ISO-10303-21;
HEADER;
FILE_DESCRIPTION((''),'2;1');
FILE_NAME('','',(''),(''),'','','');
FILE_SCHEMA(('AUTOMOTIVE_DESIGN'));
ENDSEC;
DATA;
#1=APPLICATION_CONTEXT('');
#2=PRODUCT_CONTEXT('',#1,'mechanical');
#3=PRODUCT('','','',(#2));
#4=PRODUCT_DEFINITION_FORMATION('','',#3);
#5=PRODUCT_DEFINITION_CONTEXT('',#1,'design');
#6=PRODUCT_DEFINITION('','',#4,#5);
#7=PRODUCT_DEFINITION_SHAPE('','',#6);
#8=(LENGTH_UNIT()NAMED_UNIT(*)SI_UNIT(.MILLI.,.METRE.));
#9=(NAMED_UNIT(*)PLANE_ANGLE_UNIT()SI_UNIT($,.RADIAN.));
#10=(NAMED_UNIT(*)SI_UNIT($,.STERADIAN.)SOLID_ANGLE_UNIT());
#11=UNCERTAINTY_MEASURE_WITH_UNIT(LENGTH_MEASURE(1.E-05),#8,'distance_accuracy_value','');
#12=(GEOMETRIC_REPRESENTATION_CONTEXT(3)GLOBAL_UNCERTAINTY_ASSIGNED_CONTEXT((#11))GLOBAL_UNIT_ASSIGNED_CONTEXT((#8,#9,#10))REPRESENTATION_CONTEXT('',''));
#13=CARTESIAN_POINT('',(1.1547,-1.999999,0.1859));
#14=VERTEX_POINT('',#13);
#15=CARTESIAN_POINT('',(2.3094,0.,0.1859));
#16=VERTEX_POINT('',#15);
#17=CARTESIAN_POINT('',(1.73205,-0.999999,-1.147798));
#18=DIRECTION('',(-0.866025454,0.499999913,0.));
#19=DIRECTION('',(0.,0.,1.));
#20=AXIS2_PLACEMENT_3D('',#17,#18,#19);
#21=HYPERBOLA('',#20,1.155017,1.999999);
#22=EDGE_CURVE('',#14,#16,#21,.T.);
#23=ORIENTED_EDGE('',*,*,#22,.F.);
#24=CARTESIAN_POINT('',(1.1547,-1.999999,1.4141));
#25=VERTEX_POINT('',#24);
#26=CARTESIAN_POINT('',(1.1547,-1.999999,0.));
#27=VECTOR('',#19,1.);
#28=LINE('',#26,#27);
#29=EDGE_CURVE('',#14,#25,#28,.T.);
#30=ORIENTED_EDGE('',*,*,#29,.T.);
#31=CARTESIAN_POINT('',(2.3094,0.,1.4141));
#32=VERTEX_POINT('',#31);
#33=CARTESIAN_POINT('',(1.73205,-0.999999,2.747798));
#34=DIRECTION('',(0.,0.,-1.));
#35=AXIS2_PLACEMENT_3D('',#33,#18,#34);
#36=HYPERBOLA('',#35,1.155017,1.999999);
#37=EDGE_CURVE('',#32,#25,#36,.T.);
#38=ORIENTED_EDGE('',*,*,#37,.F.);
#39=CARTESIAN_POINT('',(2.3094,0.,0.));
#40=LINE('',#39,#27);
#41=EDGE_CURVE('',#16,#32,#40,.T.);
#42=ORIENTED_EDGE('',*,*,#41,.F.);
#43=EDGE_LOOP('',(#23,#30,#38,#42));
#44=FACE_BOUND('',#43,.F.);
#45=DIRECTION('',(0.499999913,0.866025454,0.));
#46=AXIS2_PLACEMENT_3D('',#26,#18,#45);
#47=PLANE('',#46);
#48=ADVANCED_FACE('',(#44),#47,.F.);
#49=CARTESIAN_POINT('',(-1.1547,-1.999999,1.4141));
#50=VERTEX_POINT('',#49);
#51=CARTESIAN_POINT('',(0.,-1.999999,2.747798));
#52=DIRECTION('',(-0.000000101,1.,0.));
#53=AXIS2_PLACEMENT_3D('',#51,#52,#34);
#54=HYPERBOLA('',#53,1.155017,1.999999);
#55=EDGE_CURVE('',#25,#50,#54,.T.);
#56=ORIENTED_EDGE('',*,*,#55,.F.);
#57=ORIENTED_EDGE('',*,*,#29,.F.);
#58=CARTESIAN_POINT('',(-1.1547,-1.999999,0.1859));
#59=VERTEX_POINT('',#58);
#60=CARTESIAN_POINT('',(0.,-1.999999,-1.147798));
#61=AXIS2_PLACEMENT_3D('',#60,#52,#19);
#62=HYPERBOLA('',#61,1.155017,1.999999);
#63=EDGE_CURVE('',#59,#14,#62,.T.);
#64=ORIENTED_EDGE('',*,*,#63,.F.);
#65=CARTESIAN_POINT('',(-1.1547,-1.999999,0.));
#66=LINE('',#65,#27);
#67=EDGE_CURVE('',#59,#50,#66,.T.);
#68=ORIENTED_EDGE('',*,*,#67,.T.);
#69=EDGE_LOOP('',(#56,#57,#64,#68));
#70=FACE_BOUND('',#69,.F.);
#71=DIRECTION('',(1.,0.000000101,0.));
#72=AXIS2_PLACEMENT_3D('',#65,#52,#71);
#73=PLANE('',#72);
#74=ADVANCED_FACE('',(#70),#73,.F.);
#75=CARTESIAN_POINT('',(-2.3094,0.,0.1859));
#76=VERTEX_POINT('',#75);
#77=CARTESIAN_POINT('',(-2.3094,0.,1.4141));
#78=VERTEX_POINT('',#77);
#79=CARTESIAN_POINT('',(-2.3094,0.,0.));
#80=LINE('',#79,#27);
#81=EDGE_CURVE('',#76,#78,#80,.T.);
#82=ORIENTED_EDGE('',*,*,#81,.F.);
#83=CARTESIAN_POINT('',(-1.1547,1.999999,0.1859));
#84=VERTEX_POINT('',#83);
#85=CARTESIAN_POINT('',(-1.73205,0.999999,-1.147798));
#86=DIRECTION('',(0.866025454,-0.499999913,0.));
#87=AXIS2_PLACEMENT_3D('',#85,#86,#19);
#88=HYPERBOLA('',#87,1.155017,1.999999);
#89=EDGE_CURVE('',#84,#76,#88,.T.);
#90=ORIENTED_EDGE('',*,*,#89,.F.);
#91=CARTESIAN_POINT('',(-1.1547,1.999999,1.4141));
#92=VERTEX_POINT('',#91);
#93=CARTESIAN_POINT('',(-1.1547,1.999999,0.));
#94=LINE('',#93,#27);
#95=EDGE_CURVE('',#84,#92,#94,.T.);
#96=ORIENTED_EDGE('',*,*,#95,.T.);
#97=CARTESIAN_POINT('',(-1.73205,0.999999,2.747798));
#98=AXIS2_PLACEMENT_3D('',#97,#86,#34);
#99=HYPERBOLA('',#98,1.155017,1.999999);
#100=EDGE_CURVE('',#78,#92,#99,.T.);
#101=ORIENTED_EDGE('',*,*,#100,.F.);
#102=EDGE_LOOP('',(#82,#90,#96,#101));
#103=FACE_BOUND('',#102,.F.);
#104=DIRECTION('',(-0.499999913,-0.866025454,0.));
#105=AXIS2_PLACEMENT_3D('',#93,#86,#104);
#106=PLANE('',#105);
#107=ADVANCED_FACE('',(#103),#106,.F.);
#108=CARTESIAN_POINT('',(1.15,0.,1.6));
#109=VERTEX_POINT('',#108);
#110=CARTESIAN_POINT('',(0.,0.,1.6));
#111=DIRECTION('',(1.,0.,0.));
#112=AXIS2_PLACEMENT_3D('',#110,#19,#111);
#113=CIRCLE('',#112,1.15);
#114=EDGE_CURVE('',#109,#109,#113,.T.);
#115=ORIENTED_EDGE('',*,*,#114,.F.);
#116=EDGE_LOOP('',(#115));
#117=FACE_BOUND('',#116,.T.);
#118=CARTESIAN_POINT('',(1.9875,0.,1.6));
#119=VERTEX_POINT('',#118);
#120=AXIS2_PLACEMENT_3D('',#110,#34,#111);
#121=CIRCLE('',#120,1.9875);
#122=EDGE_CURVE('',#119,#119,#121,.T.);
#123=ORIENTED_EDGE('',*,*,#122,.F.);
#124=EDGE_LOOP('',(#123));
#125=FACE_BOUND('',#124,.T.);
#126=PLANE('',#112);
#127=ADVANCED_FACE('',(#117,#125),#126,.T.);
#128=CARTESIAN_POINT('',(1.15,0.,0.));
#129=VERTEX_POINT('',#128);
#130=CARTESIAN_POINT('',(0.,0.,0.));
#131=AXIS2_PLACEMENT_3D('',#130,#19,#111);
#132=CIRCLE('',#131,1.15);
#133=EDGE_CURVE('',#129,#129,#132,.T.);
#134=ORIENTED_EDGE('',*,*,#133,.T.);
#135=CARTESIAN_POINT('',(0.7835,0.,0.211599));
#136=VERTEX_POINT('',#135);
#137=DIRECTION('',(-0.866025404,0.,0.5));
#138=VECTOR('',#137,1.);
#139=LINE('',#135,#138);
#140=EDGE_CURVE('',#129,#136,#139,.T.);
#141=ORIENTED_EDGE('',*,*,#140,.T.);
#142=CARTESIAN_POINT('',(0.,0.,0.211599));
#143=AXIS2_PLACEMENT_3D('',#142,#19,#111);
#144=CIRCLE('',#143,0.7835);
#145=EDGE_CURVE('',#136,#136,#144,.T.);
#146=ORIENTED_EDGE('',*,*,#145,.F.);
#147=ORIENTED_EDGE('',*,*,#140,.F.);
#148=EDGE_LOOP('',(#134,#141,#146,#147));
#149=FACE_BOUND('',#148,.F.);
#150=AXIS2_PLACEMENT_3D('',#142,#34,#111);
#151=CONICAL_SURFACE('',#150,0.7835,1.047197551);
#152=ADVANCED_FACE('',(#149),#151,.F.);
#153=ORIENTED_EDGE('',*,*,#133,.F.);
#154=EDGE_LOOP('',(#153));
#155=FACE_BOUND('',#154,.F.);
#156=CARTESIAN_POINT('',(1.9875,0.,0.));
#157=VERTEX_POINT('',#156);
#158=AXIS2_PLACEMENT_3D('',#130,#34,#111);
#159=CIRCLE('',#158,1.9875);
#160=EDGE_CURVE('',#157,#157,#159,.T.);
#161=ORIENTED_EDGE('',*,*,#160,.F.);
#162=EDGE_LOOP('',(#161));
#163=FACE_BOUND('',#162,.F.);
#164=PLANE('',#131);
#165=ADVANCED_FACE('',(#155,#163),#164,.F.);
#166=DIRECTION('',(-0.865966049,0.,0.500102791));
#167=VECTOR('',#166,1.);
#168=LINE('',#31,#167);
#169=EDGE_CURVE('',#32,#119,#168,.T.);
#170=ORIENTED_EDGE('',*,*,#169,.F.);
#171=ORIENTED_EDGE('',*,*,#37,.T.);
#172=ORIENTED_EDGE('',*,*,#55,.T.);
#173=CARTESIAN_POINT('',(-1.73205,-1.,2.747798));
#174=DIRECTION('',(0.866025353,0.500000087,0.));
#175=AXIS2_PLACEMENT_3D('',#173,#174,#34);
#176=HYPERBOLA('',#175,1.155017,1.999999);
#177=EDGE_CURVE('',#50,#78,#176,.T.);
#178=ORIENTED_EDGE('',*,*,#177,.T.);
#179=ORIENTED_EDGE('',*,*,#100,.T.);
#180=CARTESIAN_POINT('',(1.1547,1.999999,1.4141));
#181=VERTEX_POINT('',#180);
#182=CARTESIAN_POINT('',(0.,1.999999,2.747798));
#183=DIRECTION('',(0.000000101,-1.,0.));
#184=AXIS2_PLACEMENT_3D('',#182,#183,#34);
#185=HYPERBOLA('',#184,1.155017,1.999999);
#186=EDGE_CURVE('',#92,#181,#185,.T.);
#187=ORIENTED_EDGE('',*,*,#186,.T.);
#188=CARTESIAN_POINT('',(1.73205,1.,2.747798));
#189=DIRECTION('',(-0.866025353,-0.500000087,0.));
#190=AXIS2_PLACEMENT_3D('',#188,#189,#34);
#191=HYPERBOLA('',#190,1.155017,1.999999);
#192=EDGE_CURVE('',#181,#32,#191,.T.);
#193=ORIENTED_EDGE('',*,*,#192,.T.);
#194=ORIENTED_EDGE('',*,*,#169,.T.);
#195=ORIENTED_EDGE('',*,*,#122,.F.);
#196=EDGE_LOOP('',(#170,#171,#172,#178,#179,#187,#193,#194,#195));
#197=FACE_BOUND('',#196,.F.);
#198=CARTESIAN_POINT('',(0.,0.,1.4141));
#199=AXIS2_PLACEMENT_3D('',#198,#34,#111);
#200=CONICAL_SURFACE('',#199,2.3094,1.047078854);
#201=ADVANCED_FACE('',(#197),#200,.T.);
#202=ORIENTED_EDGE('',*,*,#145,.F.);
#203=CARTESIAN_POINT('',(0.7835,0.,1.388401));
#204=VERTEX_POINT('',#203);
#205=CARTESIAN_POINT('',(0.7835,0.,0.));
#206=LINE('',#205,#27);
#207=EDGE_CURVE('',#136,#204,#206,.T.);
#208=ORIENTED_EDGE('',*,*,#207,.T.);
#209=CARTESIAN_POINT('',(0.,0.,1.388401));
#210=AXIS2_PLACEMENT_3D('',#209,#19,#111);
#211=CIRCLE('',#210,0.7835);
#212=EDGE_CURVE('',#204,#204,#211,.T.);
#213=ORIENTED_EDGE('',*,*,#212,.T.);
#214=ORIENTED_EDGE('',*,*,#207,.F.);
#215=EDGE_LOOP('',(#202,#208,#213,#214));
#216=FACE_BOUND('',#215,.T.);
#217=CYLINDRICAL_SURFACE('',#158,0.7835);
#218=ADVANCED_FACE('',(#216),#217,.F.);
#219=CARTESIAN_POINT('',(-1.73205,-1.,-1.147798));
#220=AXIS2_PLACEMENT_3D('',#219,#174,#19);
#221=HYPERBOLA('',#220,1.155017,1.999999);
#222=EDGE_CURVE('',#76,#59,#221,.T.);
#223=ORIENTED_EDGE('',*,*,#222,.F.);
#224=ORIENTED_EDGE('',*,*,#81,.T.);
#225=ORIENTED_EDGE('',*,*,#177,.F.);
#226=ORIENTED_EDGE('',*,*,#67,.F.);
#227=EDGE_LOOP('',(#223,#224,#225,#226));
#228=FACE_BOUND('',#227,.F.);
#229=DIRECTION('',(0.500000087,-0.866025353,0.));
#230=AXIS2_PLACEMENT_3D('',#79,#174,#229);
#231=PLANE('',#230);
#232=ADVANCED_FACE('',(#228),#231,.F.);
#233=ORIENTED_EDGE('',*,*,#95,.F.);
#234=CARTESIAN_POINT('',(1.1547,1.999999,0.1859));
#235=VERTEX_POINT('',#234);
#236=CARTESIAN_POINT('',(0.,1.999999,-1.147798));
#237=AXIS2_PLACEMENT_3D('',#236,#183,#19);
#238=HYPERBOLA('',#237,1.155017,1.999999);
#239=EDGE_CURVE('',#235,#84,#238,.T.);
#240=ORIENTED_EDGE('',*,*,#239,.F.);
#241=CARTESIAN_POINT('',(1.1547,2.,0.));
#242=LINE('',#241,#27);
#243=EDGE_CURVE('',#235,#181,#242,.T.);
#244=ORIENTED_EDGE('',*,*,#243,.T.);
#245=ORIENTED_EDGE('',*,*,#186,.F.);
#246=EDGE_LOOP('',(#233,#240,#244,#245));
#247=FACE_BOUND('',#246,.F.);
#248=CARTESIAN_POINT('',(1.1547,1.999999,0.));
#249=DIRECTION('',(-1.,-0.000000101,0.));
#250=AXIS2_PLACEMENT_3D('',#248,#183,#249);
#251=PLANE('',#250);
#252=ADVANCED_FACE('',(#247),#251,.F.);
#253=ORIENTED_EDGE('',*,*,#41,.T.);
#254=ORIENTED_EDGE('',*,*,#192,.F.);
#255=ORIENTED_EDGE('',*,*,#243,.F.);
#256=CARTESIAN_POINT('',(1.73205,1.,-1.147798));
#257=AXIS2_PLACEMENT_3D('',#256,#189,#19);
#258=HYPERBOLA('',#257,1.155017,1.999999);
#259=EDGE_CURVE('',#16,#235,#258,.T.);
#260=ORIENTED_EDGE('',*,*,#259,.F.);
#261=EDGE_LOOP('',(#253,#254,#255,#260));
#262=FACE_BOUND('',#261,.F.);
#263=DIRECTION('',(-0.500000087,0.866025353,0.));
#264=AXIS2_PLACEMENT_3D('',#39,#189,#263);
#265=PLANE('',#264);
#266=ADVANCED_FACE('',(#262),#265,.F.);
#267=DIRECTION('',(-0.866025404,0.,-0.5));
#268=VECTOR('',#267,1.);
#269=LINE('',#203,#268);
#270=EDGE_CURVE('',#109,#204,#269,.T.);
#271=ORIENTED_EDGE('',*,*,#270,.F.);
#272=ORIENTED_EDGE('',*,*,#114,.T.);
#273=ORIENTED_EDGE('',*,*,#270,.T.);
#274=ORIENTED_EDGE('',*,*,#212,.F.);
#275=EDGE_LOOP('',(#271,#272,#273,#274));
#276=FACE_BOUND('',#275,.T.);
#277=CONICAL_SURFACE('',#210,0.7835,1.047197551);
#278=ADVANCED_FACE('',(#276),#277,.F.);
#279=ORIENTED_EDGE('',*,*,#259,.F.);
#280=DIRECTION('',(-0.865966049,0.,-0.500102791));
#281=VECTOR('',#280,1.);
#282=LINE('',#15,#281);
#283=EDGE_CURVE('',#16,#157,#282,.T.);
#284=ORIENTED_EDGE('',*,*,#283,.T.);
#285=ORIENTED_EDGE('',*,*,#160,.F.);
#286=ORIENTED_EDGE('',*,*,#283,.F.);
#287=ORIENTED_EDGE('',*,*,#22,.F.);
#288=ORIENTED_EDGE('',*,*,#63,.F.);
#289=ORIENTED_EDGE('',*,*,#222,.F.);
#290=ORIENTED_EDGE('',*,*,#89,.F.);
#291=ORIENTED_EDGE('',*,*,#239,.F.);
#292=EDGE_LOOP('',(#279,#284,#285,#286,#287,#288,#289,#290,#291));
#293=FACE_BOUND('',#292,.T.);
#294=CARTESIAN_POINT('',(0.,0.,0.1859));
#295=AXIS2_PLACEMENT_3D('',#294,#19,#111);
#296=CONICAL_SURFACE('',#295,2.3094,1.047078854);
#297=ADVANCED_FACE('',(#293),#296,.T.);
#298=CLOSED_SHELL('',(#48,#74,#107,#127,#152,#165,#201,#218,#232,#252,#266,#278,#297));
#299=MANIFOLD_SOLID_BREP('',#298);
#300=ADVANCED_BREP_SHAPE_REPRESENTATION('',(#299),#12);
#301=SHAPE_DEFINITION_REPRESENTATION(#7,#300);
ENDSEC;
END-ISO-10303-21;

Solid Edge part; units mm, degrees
sketch "Sketch1" plane through (0, 0, 0) normal (0, 0, 1) x (1, 0, 0)
  circle A0 centre (0, 0) radius 0.7835
  circle A1 centre (0, 0) radius 2.3094
  dimension "D1" = 2
  dimension "D2" = 1.567
extrude "Protrusion1" add sketch "Sketch1" along normal blind 1.6
sketch "Sketch2" plane through (0, 0, 0) normal (0, 0, 1) x (1, 0, 0)
  line L0 (2.3094, 0) -> (1.1547, 2)
  arc A0 (1.1547, 2) -> (2.3094, 0) centre (0, 0) cw
  dimension "D1" = 2
extrude "ExtrudedCutout_1" cut sketch "Sketch2" along normal blind 1.6
pattern_circular "Pattern1" count 6 over 360 about axis through (0, 0, 0) along (0, 0, -1) of "ExtrudedCutout_1"
cosmetic_thread "Thread_1" size "M2" thread depth 1.6
sketch "Sketch3" plane through (0, 0, 0) normal (0, -1, 0) x (1, 0, 0)
  line L0 (2.3094, 0.1859) -> (1.9875, 0)
  line L1 (1.9875, 0) -> (2.3094, 0)
  line L2 (2.3094, 0) -> (2.3094, 0.1859)
  line L3 (1.9875, 1.6) -> (2.3094, 1.6)
  line L4 (2.3094, 1.6) -> (2.3094, 1.4141)
  line L5 (2.3094, 1.4141) -> (1.9875, 1.6)
  dimension "D1" = 1.6
  dimension "D2" = 1.9875
  dimension "D3" = 2.3094
revolve "RevolvedCutout_1" cut sketch "Sketch3" angle 360 about axis through (0, 0, 8.4) along (0, 0, -1)
chamfer "Chamfer_1" distance 0.3665 angle 30 1 edges at (-0.7835, 0, 0) measured on face at (-1.3648, -1.2852, 0)
chamfer "Chamfer_2" distance 0.3665 angle 30 1 edges at (-0.7835, 0, 1.6) measured on face at (-1.3648, -1.2852, 1.6)
properties material "Steel"
